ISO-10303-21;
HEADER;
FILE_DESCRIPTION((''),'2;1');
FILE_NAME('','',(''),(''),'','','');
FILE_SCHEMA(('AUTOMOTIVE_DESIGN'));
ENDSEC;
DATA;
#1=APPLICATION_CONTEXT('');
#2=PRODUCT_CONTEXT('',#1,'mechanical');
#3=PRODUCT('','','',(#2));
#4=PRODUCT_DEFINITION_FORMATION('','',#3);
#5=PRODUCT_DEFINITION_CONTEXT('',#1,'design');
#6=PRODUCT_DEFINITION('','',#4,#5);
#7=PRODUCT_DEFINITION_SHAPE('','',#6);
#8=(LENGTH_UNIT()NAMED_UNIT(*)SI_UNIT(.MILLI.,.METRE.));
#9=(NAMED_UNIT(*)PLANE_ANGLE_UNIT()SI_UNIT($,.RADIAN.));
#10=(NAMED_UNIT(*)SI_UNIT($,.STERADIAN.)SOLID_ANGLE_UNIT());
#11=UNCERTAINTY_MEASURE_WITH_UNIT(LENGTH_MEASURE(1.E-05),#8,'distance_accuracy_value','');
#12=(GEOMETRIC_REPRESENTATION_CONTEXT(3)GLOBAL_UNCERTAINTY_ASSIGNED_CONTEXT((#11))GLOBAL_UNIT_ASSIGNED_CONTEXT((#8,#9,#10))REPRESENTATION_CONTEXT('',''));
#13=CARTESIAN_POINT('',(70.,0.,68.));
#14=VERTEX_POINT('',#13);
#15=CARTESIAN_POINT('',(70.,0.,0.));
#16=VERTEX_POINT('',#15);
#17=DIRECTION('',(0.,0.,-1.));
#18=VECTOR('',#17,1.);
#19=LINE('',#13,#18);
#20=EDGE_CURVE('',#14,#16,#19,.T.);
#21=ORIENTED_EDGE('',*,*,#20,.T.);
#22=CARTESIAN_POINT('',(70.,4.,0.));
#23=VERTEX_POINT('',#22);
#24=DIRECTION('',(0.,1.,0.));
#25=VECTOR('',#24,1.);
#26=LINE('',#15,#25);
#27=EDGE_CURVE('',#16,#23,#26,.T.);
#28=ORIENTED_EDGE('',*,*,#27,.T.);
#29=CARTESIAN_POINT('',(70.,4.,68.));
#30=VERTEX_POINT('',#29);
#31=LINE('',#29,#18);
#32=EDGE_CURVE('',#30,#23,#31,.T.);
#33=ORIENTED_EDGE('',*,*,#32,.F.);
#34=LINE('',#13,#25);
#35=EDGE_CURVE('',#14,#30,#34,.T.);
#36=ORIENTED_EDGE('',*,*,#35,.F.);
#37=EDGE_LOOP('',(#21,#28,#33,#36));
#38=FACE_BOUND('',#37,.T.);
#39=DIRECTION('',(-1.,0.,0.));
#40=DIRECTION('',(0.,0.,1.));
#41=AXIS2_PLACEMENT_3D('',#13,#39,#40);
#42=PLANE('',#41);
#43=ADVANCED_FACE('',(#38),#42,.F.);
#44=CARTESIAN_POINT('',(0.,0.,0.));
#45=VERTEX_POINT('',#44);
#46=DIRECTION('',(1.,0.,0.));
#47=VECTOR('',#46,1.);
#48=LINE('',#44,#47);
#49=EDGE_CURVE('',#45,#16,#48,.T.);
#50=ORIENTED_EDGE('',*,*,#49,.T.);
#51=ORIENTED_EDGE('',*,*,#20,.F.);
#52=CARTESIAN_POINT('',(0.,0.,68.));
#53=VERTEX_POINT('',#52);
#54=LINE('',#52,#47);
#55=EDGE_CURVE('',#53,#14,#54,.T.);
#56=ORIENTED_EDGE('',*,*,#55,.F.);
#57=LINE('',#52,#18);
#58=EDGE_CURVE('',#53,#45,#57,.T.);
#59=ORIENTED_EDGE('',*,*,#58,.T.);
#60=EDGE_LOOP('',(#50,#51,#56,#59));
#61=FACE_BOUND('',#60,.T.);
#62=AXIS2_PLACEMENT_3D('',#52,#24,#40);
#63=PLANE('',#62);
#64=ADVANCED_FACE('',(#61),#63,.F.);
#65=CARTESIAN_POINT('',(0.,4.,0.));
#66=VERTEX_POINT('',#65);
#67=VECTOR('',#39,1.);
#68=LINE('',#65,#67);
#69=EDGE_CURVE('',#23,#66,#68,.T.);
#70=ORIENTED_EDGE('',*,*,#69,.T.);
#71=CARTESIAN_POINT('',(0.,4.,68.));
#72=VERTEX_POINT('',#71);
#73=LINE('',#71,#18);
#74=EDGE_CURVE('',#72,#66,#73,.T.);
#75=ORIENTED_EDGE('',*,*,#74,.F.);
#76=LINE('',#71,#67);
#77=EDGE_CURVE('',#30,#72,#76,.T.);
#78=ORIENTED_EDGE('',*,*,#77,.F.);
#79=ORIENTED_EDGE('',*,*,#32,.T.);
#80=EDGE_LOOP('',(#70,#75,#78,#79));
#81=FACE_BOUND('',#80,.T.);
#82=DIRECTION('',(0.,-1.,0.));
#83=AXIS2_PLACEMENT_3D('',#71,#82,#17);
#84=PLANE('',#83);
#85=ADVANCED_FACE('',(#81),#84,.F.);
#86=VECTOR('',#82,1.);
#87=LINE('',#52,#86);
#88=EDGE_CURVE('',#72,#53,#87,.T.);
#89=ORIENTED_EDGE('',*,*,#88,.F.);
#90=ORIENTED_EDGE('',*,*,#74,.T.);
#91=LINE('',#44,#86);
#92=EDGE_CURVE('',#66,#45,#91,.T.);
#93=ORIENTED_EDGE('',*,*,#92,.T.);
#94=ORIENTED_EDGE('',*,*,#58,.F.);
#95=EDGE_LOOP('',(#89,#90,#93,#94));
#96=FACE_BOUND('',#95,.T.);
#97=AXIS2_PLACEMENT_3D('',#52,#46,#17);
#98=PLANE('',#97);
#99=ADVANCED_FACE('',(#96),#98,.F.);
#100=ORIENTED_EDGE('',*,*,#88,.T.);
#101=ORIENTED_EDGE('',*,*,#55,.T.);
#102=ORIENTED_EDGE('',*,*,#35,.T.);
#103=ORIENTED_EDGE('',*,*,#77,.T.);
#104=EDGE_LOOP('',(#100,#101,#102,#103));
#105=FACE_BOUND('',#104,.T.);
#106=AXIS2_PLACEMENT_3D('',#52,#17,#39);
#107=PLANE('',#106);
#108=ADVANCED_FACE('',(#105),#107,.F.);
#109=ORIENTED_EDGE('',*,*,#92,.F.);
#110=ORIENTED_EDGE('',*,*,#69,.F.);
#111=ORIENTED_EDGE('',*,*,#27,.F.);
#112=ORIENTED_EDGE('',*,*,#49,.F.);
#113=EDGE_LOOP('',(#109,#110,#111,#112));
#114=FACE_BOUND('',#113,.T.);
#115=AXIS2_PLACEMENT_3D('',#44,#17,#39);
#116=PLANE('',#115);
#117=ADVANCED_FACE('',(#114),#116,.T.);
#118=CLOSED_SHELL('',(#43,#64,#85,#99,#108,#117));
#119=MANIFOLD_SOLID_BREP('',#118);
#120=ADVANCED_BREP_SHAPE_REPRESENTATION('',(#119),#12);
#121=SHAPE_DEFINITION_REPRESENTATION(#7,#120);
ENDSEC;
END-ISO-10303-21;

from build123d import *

# Parameters (mm, degrees)
SKETCH1_W     = 70
SKETCH1_H     = 4
PROFILE_DEPTH = 68


with BuildPart() as part:
    # Sketch1 → Profile (new body)
    with BuildSketch(Plane.XY):
        with Locations((35, 2)):
            Rectangle(SKETCH1_W, SKETCH1_H)
    extrude(amount=PROFILE_DEPTH)


solid = part.part
